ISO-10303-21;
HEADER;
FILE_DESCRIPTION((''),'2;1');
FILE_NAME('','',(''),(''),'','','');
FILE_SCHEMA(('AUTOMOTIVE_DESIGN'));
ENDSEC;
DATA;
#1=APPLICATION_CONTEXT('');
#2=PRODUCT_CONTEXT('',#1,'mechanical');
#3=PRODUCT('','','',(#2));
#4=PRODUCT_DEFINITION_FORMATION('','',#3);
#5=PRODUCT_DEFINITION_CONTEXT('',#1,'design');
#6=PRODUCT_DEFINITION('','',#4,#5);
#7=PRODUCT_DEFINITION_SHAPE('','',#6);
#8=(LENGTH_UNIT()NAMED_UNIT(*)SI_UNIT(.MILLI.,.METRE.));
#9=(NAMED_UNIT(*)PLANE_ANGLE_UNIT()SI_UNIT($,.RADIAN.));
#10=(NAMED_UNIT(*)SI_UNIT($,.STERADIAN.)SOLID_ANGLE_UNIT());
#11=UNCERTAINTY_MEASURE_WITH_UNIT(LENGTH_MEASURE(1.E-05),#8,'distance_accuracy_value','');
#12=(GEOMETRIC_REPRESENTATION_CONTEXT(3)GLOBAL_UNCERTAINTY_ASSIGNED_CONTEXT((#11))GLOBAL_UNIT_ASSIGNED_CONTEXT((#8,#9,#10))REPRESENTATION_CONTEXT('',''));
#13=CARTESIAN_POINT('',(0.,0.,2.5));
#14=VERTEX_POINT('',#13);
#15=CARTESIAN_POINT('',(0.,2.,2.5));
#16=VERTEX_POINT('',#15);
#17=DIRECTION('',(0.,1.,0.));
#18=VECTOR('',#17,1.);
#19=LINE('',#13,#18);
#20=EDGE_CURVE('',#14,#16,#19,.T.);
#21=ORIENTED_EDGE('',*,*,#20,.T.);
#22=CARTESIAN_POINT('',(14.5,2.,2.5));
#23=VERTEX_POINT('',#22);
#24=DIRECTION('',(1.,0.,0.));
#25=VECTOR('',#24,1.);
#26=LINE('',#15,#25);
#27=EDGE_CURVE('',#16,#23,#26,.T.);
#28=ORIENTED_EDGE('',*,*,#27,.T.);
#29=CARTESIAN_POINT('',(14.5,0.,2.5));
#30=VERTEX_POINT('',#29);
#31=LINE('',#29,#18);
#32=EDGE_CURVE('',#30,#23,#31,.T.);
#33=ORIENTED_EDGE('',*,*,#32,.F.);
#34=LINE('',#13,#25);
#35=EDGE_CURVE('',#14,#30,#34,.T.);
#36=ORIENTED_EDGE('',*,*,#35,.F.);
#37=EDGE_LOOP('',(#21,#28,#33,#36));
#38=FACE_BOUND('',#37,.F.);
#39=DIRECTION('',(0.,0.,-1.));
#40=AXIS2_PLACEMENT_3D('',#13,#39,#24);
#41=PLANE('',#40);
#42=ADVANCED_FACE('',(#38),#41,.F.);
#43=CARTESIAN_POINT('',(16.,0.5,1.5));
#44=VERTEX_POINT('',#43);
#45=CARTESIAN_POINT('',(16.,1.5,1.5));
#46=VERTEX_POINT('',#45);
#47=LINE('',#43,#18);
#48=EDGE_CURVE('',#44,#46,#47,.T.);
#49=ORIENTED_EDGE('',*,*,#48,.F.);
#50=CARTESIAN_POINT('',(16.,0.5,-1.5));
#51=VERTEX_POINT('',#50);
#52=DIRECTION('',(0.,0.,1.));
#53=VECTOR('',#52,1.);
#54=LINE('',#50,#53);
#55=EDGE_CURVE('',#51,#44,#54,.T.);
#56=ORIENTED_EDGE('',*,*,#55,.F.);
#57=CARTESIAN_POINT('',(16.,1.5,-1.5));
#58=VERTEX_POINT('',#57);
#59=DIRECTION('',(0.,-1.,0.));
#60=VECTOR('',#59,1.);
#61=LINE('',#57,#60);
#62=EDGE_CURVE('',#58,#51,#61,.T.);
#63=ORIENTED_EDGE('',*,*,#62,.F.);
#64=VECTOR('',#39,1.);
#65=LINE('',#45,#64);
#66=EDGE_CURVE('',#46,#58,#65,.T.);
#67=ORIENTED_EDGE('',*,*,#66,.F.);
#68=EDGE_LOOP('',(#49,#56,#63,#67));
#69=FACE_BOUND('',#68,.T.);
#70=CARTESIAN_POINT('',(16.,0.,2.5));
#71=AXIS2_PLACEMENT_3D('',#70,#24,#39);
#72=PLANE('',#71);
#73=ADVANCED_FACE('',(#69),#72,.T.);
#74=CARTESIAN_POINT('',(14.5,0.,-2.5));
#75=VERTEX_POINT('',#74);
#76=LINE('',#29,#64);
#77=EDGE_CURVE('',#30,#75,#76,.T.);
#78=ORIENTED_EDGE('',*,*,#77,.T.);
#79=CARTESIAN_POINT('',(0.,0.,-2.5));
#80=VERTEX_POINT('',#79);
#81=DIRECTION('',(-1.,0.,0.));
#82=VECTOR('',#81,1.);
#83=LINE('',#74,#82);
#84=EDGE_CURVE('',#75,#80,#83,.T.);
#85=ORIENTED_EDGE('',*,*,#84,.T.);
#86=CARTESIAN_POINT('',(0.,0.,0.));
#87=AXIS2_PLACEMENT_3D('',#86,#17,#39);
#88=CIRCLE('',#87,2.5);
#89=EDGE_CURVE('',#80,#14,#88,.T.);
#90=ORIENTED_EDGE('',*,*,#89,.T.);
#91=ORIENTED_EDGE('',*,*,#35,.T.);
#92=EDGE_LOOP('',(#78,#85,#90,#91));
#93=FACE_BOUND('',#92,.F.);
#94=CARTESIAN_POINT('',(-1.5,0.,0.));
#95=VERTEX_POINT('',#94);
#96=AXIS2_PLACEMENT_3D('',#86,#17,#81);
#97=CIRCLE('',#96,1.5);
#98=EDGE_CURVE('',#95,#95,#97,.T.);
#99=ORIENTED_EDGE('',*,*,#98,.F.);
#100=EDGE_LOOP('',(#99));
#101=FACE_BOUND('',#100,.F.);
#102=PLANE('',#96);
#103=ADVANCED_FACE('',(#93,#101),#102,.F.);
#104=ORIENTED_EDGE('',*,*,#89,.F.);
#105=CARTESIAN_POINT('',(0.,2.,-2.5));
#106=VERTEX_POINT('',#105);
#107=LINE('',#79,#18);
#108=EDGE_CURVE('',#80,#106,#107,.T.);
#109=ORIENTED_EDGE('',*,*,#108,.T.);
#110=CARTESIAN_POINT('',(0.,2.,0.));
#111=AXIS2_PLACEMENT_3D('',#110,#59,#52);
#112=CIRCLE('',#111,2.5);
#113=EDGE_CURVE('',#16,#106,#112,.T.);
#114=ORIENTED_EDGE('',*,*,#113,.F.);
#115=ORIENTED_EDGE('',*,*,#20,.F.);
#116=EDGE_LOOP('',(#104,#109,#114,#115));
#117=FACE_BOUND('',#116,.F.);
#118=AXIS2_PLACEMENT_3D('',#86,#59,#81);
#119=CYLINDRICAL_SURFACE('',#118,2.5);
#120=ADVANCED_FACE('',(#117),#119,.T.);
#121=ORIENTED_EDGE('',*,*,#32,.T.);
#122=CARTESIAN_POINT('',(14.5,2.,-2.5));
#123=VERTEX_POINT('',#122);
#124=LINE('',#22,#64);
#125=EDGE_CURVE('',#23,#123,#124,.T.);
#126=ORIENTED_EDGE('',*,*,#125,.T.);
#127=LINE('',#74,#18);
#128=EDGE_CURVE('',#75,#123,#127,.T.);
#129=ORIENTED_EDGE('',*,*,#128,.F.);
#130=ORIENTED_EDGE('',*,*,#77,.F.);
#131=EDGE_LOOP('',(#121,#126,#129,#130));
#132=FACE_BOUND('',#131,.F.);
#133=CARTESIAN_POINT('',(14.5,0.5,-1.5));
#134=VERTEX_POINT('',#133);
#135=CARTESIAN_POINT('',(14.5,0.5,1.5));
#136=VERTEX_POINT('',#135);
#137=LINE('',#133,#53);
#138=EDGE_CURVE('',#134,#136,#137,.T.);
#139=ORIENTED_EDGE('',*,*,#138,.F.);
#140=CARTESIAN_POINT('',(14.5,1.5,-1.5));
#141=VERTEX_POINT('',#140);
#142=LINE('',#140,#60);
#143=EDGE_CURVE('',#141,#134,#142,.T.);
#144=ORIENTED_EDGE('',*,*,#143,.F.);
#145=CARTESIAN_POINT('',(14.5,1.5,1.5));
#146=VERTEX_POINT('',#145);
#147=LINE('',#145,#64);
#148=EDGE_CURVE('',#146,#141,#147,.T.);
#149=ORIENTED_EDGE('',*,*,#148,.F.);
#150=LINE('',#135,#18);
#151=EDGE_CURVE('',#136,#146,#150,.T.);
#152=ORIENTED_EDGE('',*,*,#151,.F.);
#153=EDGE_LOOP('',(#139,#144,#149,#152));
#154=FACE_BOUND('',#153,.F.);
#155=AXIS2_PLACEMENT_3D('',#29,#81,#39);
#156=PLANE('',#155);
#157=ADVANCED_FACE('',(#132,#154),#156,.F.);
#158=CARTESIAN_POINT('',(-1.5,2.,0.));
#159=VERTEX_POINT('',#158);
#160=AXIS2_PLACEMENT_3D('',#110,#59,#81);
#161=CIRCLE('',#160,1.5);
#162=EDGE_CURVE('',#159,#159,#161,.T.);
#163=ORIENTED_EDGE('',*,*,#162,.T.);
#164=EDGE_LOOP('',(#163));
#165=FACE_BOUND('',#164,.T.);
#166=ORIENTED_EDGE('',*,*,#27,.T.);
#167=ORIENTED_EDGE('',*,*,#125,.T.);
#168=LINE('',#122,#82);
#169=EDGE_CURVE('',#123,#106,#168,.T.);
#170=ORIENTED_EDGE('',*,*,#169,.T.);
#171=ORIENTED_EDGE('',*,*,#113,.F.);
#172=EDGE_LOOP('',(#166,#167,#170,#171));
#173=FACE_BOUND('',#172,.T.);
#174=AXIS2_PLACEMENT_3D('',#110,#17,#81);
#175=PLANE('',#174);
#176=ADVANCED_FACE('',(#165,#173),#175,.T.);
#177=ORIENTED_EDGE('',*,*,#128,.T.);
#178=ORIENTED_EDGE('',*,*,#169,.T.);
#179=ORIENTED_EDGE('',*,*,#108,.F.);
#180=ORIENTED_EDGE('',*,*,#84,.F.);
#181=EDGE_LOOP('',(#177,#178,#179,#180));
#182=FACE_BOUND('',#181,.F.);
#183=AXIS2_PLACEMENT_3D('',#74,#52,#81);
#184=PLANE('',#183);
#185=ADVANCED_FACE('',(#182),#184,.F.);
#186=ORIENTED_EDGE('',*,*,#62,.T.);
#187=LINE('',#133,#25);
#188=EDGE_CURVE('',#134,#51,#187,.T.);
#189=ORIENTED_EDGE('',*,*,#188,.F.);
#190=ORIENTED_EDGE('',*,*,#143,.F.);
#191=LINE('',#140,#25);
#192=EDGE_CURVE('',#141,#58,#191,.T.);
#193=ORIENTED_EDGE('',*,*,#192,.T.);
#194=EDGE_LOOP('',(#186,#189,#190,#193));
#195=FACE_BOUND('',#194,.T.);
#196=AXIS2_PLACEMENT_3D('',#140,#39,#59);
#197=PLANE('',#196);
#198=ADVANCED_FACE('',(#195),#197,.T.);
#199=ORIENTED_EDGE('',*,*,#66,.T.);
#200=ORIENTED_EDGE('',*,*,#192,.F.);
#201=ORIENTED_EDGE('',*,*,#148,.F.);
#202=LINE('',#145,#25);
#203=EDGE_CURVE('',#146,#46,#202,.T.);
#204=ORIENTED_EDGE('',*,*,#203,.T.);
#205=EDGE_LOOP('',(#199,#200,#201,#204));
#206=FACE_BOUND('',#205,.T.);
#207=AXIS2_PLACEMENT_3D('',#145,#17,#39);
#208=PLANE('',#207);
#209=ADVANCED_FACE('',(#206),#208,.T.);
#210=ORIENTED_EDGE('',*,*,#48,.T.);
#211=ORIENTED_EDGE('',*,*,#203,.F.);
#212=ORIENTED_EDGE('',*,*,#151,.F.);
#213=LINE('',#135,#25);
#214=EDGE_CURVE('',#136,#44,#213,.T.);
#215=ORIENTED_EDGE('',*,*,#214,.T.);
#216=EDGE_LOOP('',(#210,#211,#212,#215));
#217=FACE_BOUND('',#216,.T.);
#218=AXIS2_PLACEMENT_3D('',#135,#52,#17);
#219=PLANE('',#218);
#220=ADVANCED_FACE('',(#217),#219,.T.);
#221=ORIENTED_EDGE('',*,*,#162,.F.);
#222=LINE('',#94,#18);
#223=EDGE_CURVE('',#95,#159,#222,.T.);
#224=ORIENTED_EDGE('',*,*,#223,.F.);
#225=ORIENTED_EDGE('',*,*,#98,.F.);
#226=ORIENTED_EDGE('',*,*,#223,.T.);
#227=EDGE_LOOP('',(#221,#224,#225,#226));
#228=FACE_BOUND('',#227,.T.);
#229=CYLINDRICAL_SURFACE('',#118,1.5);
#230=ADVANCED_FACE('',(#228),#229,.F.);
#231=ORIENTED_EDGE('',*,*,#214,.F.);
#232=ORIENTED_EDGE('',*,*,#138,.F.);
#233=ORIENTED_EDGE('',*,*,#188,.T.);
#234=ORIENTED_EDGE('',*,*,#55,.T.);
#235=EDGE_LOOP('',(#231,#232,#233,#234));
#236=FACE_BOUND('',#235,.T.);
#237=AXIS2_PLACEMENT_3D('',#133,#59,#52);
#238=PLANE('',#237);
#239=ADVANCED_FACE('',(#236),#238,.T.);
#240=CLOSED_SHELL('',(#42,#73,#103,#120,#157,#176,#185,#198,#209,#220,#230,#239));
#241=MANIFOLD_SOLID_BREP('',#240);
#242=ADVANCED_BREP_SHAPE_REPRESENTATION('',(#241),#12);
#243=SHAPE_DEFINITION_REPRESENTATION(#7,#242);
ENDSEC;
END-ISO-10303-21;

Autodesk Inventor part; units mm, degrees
ref_plane "YZ Plane" through (0, 0, 0) normal (1, 0, 0) x (0, 1, 0)
ref_plane "XZ Plane" through (0, 0, 0) normal (0, 1, 0) x (-1, 0, 0)
ref_plane "XY Plane" through (0, 0, 0) normal (0, 0, 1) x (1, 0, 0)
sketch "Sketch1" plane through (0, 0, 0) normal (0, 1, 0) x (-1, 0, 0)
  circle A0 centre (0, 0) radius 1.5
  circle A1 centre (0, 0) radius 2.5
  line L0 (0, 0) -> (2.5, 0)
  line L1 (0, 0.75) -> (2.5, 0.75)
  line L2 (0, -0.75) -> (2.5, -0.75)
  line L3 (0, 2.5) -> (-14.5, 2.5)
  line L4 (-14.5, 2.5) -> (-14.5, -2.5)
  line L5 (-14.5, -2.5) -> (0, -2.5)
  line L6 (0, -2.5) -> (0, 2.5)
  point P0 (1.299, 0.75)
  point P1 (2.3848, 0.75)
  point P2 (2.3848, -0.75)
  point P3 (1.299, -0.75)
  dimension "d0" = 3
  dimension "d1" = 5
  dimension "d2" = 0.75
  dimension "d3" = 0.75
  dimension "d13" = 14.5
extrude "Extrusion1" add sketch "Sketch1" along normal blind 2 contours L0 A1 L2 A0 | A0 L1 A1 L0 | A0 L6 A1 L1 | L2 A1 L6 A0 | A0 L6 A1 | A1 L5 L4 L3
sketch "Sketch2" plane through (14.5, 0, 2.5) normal (1, 0, 0) x (0, 0, -1)
  line L0 (1, 1.5) -> (4, 1.5)
  line L1 (4, 1.5) -> (4, 0.5)
  line L2 (4, 0.5) -> (1, 0.5)
  line L3 (1, 0.5) -> (1, 1.5)
  line L4 (0, 0) -> (5, 0) projected
  line L5 (5, 0) -> (5, 2) projected
  point P0 (2.5, 0)
  dimension "d6" = 3
  dimension "d7" = 1
  dimension "d8" = 0.5
  dimension "d9" = 1
extrude "Extrusion2" add sketch "Sketch2" along normal blind 1.5
properties part number "AlignmentGateClosedBeforeServo"
